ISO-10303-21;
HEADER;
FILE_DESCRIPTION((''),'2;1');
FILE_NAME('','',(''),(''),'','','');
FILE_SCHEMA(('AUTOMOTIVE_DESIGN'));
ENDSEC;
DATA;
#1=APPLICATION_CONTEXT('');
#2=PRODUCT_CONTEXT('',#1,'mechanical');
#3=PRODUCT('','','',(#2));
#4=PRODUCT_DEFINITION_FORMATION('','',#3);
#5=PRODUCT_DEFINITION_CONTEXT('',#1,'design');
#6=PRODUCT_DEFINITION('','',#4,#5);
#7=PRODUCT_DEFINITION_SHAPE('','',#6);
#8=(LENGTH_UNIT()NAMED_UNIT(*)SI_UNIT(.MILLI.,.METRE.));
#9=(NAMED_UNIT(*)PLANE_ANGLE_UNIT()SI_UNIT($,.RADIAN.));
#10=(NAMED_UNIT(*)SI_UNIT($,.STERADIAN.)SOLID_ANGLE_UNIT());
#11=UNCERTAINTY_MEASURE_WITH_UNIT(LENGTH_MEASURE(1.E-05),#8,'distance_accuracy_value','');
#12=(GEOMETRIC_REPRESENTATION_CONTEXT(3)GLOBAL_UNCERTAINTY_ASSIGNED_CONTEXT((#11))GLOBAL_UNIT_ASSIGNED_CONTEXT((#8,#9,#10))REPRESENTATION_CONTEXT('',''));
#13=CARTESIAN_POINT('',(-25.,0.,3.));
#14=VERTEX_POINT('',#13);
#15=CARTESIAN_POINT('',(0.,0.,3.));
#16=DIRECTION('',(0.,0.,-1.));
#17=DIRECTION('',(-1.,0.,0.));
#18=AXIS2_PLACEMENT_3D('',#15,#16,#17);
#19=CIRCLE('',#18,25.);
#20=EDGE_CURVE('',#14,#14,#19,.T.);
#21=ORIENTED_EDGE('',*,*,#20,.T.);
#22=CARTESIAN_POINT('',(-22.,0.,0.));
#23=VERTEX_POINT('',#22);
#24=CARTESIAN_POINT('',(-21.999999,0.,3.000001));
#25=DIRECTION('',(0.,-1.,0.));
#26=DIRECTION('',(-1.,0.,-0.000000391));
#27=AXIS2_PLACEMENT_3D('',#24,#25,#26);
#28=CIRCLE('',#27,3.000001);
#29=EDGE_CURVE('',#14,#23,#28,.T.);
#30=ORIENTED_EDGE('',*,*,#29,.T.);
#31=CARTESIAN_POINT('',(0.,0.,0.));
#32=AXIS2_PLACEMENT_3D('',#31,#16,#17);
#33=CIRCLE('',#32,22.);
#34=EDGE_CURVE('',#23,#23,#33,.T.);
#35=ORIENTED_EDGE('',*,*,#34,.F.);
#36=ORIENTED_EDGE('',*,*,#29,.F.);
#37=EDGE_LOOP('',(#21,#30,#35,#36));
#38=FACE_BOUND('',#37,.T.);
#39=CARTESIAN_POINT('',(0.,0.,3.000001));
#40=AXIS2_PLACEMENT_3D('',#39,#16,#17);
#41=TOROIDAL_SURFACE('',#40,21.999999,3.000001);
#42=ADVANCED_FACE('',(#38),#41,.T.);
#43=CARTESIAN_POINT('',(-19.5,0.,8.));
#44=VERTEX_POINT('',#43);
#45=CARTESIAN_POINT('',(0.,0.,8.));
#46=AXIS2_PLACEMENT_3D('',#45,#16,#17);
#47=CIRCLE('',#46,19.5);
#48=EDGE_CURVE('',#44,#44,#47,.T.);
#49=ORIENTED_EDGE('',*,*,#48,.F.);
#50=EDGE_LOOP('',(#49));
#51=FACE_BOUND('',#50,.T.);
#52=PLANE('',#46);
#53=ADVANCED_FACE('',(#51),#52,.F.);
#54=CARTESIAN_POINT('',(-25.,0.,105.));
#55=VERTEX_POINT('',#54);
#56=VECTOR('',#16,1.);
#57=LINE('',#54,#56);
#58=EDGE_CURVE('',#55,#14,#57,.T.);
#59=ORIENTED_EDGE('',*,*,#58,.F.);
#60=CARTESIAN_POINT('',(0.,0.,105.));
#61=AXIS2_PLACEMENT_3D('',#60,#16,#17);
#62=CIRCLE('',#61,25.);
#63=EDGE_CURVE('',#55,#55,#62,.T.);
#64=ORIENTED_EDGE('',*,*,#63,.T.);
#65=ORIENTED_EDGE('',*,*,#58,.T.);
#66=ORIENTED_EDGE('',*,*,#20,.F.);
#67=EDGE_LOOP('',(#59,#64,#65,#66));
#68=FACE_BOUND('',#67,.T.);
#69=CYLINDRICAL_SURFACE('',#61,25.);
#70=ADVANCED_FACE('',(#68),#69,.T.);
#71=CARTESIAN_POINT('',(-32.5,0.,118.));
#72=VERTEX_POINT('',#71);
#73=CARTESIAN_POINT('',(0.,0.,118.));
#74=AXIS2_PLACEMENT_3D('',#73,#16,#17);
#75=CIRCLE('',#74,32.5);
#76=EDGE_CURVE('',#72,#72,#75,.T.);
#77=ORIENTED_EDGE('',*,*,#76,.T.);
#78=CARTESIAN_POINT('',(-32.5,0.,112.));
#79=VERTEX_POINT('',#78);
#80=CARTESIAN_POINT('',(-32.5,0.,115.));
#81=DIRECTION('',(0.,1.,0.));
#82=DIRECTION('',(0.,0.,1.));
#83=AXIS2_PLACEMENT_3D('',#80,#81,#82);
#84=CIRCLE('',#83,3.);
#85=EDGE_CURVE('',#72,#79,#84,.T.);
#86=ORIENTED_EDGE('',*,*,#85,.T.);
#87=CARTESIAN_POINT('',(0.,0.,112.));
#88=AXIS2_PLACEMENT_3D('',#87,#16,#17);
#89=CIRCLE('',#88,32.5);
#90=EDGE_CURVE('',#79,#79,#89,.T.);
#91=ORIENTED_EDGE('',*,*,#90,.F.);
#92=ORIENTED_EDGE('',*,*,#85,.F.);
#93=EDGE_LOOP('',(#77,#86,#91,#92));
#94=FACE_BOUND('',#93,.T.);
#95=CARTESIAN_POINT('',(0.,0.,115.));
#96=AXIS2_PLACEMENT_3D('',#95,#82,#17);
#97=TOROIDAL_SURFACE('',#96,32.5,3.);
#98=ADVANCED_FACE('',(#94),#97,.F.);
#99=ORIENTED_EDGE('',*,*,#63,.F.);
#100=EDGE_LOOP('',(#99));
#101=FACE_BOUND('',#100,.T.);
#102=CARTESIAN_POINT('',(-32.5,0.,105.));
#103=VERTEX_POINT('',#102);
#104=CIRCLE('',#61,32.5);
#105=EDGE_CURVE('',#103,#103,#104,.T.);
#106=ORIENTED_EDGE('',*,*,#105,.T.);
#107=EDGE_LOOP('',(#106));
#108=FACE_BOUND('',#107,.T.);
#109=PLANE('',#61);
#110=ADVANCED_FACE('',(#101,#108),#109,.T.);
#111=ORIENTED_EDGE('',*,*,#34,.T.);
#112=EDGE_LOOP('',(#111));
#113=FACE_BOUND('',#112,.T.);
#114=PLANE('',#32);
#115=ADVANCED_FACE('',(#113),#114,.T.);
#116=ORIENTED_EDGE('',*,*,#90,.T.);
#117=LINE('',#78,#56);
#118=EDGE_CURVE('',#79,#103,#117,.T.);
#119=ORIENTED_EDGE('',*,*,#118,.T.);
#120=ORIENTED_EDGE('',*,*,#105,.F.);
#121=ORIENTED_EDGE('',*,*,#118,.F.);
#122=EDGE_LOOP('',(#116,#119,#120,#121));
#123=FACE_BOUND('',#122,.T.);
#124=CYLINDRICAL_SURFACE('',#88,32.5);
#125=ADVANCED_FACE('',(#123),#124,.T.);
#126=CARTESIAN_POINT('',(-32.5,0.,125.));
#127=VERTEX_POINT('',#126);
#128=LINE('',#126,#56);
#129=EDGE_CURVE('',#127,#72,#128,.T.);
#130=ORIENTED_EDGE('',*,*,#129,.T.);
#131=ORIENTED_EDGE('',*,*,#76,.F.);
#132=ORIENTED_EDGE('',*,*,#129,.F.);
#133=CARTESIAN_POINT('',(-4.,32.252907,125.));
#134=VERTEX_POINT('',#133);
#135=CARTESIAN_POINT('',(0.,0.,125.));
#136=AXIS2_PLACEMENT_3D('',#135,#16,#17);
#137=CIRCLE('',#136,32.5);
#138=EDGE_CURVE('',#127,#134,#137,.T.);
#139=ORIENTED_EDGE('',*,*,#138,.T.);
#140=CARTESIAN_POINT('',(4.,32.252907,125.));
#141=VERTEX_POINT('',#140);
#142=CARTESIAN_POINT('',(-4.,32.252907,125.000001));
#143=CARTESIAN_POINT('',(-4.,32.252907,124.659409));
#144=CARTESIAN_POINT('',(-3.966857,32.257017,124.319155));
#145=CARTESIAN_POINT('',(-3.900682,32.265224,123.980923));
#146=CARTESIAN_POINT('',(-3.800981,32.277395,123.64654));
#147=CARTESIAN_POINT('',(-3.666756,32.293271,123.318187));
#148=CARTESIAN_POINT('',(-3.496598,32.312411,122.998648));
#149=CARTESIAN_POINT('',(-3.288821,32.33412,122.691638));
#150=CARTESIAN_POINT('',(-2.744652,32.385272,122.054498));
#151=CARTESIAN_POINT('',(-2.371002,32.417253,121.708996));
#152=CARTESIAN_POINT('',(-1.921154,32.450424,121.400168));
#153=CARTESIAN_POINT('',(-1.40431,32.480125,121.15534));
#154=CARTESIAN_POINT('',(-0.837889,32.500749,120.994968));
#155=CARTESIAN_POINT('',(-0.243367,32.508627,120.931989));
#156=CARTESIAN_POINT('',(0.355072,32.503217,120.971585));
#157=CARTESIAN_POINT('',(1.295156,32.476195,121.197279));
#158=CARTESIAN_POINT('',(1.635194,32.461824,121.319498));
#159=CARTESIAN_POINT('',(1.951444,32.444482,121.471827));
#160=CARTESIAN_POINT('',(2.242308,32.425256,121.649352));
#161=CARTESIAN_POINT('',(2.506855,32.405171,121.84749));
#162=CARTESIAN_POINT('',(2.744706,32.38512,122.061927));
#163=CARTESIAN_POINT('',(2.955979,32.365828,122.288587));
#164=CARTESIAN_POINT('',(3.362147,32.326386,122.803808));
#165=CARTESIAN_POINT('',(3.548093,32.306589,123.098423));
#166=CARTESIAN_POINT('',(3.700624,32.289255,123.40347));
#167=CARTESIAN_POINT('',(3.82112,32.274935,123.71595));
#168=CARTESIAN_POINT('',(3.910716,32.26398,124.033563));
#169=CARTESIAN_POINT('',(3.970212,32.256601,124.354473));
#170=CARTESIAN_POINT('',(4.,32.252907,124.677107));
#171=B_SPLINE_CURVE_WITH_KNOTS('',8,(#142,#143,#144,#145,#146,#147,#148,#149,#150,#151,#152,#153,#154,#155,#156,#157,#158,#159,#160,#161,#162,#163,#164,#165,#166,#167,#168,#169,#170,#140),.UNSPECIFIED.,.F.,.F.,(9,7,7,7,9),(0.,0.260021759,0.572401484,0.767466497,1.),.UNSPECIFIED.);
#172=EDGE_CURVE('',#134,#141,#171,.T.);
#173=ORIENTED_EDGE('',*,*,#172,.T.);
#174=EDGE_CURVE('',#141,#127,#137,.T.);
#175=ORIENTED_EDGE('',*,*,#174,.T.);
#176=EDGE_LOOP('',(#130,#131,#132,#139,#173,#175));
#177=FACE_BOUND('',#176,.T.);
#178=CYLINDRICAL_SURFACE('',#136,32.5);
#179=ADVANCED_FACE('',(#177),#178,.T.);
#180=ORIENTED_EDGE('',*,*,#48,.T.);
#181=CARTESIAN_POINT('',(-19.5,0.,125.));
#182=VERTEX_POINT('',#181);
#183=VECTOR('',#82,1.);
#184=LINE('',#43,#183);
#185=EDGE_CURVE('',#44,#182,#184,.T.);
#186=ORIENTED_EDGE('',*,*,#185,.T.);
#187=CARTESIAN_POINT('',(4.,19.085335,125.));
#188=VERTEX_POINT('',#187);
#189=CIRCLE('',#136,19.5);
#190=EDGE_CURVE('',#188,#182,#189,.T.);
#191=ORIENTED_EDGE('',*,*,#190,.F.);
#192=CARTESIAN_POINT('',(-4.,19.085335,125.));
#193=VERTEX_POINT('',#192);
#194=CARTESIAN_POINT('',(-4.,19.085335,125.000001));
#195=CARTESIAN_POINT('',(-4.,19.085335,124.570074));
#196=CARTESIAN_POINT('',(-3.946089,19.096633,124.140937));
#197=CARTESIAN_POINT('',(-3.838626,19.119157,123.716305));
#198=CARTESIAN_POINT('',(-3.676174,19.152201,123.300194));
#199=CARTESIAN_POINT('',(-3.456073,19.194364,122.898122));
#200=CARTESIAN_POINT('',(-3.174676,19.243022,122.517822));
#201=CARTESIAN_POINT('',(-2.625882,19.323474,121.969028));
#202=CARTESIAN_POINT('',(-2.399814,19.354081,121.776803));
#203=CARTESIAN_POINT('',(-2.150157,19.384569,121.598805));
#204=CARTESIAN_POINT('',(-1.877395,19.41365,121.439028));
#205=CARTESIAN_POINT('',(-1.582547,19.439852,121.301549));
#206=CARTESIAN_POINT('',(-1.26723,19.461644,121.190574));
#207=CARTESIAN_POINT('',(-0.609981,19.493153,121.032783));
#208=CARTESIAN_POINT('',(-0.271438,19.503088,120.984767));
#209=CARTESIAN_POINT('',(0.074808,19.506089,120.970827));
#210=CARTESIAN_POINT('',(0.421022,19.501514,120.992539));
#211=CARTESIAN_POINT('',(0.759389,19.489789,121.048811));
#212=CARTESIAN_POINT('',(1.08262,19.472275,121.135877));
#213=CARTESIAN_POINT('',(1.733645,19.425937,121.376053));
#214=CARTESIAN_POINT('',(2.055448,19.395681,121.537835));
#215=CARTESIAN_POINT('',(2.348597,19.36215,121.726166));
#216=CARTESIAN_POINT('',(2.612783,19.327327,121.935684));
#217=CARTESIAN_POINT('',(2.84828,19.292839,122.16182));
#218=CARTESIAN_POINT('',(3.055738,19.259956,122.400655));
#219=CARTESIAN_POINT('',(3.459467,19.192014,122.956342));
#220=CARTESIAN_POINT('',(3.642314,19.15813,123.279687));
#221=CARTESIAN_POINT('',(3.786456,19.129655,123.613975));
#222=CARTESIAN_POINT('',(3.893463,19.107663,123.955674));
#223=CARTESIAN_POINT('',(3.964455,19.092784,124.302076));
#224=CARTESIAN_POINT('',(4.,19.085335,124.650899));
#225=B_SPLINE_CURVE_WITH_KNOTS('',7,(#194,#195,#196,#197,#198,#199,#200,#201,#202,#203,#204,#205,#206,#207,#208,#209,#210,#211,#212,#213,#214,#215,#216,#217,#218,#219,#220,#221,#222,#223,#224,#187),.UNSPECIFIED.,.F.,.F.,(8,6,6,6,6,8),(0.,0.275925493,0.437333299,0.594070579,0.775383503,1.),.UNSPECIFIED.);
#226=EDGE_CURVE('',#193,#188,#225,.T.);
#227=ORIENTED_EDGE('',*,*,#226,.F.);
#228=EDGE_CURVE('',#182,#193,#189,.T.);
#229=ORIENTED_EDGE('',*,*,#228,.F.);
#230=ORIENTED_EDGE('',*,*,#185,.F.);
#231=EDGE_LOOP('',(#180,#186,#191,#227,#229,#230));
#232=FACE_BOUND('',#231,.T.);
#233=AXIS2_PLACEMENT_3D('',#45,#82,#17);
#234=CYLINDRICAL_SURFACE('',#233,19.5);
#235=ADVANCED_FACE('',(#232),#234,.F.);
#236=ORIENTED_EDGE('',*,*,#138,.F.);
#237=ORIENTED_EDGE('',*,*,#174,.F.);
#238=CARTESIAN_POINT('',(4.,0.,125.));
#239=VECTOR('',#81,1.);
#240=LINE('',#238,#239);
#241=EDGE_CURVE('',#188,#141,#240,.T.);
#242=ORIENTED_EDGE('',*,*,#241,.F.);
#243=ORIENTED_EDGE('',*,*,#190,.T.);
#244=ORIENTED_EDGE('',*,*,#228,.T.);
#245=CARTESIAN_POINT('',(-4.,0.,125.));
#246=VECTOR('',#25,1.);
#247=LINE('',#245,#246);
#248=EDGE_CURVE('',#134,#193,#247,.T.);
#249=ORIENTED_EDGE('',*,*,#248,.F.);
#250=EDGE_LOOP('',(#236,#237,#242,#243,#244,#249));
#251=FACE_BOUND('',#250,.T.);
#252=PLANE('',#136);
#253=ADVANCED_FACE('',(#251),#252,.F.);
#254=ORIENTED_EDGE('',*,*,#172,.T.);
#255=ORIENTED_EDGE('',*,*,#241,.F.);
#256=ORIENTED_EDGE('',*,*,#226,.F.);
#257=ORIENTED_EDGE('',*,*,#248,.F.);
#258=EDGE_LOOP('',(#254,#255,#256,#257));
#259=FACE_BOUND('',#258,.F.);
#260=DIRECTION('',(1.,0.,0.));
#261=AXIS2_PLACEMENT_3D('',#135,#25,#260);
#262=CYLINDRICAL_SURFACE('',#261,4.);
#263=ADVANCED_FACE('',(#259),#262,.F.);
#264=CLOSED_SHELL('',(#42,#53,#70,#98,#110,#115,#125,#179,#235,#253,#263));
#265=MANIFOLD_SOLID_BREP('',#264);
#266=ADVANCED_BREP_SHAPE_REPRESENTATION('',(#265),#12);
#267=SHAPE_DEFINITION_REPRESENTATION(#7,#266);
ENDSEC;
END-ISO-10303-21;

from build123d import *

# Parameters (mm, degrees)
F2_R     = 4
F3_DEPTH = 50


with BuildPart() as f1:
    # F0 (on Front) → F1 (revolve)
    with BuildSketch(Plane.XZ):
        with BuildLine():
            Line((-22, 0), (0, 0))
            Line((0, 0), (0, 8))
            Line((0, 8), (-19.5, 8))
            Line((-19.5, 8), (-19.5, 125))
            Line((-19.5, 125), (-32.5, 125))
            Line((-32.5, 125), (-32.5, 118))
            ThreePointArc((-32.5, 118), (-29.5, 115), (-32.5, 112))
            Line((-32.5, 112), (-32.5, 105))
            Line((-32.5, 105), (-25, 105))
            Line((-25, 105), (-25, 3))
            ThreePointArc((-25, 3), (-24.12132, 0.87868), (-22, 0))
        make_face()
    revolve(axis=Axis((0, 0, 4), (0, 0, -1)))

    # F2 (on Front) → F3 (cut)
    with BuildSketch(Plane.XZ):
        with Locations((0, 125)):
            Circle(F2_R)
    extrude(amount=-F3_DEPTH, mode=Mode.SUBTRACT)


solid = f1.part
